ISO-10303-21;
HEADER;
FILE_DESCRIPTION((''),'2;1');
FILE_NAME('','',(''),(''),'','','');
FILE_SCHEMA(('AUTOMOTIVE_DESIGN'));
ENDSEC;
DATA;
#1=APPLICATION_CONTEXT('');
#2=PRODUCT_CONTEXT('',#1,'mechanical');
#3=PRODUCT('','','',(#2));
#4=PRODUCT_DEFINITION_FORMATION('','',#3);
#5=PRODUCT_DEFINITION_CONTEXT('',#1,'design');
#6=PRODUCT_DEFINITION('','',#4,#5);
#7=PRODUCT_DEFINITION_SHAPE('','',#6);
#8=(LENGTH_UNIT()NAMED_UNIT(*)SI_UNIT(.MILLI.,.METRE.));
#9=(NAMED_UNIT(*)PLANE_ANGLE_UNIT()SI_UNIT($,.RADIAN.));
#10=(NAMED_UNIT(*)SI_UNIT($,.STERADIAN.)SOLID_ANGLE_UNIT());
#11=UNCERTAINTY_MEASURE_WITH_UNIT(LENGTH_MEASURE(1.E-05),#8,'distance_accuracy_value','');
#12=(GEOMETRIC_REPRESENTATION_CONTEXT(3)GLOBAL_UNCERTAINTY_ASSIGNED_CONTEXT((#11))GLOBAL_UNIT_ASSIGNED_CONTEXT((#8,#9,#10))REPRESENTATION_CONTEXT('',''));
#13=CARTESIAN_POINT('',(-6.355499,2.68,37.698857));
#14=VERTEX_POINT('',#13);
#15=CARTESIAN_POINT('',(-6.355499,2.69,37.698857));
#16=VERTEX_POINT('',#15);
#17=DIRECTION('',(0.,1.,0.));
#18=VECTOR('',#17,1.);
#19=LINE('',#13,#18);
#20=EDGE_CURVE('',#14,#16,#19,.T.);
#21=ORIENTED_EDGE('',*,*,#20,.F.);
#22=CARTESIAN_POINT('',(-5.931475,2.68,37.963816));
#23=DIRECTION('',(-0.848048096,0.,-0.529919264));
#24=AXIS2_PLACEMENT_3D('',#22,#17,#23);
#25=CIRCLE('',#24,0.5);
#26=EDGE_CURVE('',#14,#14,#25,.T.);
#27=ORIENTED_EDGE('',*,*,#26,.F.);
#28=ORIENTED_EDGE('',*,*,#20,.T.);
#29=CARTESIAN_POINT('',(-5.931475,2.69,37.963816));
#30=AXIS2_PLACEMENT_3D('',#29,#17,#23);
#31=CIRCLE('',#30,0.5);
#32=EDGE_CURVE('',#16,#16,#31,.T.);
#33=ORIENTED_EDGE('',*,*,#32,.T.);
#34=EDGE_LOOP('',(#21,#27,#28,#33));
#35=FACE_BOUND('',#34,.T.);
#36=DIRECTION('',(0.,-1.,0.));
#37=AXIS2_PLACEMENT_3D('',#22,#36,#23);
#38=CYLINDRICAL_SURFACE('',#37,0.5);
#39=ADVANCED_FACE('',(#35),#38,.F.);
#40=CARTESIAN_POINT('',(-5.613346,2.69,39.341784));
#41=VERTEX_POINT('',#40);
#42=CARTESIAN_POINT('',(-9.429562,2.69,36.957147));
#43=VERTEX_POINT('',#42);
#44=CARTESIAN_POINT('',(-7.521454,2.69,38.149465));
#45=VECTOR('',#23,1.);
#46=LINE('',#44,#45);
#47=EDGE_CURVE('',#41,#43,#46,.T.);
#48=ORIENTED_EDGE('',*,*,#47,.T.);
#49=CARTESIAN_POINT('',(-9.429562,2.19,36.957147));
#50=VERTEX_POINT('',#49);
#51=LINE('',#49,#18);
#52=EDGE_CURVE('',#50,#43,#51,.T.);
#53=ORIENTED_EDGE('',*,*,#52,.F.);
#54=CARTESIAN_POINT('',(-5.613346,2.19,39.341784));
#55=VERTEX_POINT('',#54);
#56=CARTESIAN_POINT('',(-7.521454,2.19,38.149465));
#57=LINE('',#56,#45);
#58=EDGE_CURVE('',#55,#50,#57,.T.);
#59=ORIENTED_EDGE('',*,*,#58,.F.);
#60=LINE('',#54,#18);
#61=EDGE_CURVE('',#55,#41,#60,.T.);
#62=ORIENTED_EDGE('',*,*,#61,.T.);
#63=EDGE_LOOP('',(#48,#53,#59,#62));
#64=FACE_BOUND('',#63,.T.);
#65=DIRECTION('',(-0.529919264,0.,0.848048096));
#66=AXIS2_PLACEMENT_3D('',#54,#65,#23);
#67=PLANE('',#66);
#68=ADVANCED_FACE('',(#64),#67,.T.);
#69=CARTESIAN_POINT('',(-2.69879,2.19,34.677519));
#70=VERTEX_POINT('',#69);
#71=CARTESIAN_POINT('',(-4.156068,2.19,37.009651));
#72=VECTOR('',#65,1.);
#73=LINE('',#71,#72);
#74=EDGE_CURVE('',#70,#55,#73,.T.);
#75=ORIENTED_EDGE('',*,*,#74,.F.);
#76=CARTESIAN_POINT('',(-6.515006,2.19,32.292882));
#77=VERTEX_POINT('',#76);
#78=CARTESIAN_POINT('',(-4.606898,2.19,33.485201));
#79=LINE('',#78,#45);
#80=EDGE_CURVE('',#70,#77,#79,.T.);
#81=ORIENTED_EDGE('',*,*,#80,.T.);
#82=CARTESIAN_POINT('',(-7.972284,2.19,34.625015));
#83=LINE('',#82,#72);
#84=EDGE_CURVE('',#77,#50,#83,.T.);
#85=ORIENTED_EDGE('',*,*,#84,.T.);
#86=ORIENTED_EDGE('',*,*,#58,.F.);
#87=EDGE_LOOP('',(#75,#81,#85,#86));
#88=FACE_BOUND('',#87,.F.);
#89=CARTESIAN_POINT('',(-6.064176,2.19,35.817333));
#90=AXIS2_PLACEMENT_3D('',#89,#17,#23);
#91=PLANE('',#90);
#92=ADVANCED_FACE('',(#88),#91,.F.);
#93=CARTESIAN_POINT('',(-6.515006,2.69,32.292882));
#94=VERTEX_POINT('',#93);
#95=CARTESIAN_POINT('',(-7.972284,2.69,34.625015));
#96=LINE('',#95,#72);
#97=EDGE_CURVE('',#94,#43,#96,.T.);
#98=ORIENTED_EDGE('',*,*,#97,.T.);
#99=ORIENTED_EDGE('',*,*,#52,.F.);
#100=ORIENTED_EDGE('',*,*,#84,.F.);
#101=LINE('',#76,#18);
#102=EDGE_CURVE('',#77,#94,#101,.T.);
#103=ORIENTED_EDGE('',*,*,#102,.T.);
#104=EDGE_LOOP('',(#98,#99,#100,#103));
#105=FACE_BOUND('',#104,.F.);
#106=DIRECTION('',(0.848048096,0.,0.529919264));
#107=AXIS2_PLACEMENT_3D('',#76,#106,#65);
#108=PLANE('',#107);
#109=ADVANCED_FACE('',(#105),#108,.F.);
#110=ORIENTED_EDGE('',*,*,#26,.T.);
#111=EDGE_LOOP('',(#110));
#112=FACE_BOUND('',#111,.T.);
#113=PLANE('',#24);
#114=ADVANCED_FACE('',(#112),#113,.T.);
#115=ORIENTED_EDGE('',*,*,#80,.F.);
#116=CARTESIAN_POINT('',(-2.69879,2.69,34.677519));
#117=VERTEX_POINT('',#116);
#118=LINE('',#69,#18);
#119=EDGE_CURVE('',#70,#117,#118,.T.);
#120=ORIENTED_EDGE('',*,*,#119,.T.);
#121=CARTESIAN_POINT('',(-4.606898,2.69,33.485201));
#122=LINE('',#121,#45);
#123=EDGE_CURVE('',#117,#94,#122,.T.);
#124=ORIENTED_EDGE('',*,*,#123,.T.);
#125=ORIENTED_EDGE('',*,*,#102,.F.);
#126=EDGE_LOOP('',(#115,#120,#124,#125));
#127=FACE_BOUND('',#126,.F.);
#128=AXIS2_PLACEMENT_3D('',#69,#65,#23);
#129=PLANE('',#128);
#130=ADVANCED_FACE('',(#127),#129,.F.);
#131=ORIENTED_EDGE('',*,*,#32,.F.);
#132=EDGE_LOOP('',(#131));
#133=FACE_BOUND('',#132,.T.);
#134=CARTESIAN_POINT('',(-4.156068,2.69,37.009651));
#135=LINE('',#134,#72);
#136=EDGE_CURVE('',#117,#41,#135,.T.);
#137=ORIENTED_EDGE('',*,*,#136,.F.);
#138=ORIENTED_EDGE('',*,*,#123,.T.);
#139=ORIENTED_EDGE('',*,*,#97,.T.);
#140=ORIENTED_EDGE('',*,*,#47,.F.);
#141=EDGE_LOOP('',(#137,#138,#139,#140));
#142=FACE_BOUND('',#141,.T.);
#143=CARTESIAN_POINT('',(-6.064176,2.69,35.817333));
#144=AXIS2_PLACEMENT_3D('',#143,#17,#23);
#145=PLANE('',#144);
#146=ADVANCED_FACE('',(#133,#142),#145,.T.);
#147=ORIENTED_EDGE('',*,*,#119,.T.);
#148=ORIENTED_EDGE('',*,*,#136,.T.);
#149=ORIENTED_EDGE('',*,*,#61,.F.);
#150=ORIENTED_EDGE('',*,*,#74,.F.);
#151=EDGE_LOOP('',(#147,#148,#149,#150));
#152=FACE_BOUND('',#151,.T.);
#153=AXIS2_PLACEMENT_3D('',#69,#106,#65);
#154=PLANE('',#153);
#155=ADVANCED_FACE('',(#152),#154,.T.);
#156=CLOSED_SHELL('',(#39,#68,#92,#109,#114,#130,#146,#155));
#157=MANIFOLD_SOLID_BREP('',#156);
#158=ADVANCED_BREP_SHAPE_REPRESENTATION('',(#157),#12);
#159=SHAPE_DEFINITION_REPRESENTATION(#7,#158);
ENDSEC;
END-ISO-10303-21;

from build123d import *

# Parameters (mm, degrees)
CYLINDER067_R          = 0.5
CYLINDER067_DEPTH      = 0.01
BOX148_W               = 4.5
BOX148_H               = 5.5
BOX148_DEPTH           = 0.5
CUT069_ROLL_ANGLE      = 90
CUT069_PITCH_ANGLE     = 32
CUT069_PLACEMENT_ANGLE = -180


with BuildPart() as cylinder067:
    # Cylinder067 → Cylinder067 (new body)
    with BuildSketch(Plane(origin=(1, 4.5, 0.49), x_dir=(1, 0, 0), z_dir=(0, 0, 1))):
        Circle(CYLINDER067_R)
    extrude(amount=CYLINDER067_DEPTH)


with BuildPart() as small_linbo3_plate069:
    # Box148 → Box148 (new body)
    with BuildSketch(Plane.XY):
        with Locations((2.25, 2.75)):
            Rectangle(BOX148_W, BOX148_H)
    extrude(amount=BOX148_DEPTH)

    # Cut069: cut Cylinder067
    add(cylinder067.part, mode=Mode.SUBTRACT)


with BuildPart() as small_linbo3_plate069_1:
    # Cut069 roll: moved
    add(small_linbo3_plate069.part.rotate(Axis((0, 0, 0), (1, 0, 0)), CUT069_ROLL_ANGLE))


with BuildPart() as small_linbo3_plate069_2:
    # Cut069 pitch: moved
    add(small_linbo3_plate069_1.part.rotate(Axis((0, 0, 0), (0, 1, 0)), CUT069_PITCH_ANGLE))


with BuildPart() as small_linbo3_plate069_3:
    # Cut069 placement: moved
    add(small_linbo3_plate069_2.part.moved(Location((-2.69879, 2.19, 34.677519))).rotate(Axis((-2.69879, 2.19, 34.677519), (0, 0, 1)), CUT069_PLACEMENT_ANGLE))


solid = small_linbo3_plate069_3.part
